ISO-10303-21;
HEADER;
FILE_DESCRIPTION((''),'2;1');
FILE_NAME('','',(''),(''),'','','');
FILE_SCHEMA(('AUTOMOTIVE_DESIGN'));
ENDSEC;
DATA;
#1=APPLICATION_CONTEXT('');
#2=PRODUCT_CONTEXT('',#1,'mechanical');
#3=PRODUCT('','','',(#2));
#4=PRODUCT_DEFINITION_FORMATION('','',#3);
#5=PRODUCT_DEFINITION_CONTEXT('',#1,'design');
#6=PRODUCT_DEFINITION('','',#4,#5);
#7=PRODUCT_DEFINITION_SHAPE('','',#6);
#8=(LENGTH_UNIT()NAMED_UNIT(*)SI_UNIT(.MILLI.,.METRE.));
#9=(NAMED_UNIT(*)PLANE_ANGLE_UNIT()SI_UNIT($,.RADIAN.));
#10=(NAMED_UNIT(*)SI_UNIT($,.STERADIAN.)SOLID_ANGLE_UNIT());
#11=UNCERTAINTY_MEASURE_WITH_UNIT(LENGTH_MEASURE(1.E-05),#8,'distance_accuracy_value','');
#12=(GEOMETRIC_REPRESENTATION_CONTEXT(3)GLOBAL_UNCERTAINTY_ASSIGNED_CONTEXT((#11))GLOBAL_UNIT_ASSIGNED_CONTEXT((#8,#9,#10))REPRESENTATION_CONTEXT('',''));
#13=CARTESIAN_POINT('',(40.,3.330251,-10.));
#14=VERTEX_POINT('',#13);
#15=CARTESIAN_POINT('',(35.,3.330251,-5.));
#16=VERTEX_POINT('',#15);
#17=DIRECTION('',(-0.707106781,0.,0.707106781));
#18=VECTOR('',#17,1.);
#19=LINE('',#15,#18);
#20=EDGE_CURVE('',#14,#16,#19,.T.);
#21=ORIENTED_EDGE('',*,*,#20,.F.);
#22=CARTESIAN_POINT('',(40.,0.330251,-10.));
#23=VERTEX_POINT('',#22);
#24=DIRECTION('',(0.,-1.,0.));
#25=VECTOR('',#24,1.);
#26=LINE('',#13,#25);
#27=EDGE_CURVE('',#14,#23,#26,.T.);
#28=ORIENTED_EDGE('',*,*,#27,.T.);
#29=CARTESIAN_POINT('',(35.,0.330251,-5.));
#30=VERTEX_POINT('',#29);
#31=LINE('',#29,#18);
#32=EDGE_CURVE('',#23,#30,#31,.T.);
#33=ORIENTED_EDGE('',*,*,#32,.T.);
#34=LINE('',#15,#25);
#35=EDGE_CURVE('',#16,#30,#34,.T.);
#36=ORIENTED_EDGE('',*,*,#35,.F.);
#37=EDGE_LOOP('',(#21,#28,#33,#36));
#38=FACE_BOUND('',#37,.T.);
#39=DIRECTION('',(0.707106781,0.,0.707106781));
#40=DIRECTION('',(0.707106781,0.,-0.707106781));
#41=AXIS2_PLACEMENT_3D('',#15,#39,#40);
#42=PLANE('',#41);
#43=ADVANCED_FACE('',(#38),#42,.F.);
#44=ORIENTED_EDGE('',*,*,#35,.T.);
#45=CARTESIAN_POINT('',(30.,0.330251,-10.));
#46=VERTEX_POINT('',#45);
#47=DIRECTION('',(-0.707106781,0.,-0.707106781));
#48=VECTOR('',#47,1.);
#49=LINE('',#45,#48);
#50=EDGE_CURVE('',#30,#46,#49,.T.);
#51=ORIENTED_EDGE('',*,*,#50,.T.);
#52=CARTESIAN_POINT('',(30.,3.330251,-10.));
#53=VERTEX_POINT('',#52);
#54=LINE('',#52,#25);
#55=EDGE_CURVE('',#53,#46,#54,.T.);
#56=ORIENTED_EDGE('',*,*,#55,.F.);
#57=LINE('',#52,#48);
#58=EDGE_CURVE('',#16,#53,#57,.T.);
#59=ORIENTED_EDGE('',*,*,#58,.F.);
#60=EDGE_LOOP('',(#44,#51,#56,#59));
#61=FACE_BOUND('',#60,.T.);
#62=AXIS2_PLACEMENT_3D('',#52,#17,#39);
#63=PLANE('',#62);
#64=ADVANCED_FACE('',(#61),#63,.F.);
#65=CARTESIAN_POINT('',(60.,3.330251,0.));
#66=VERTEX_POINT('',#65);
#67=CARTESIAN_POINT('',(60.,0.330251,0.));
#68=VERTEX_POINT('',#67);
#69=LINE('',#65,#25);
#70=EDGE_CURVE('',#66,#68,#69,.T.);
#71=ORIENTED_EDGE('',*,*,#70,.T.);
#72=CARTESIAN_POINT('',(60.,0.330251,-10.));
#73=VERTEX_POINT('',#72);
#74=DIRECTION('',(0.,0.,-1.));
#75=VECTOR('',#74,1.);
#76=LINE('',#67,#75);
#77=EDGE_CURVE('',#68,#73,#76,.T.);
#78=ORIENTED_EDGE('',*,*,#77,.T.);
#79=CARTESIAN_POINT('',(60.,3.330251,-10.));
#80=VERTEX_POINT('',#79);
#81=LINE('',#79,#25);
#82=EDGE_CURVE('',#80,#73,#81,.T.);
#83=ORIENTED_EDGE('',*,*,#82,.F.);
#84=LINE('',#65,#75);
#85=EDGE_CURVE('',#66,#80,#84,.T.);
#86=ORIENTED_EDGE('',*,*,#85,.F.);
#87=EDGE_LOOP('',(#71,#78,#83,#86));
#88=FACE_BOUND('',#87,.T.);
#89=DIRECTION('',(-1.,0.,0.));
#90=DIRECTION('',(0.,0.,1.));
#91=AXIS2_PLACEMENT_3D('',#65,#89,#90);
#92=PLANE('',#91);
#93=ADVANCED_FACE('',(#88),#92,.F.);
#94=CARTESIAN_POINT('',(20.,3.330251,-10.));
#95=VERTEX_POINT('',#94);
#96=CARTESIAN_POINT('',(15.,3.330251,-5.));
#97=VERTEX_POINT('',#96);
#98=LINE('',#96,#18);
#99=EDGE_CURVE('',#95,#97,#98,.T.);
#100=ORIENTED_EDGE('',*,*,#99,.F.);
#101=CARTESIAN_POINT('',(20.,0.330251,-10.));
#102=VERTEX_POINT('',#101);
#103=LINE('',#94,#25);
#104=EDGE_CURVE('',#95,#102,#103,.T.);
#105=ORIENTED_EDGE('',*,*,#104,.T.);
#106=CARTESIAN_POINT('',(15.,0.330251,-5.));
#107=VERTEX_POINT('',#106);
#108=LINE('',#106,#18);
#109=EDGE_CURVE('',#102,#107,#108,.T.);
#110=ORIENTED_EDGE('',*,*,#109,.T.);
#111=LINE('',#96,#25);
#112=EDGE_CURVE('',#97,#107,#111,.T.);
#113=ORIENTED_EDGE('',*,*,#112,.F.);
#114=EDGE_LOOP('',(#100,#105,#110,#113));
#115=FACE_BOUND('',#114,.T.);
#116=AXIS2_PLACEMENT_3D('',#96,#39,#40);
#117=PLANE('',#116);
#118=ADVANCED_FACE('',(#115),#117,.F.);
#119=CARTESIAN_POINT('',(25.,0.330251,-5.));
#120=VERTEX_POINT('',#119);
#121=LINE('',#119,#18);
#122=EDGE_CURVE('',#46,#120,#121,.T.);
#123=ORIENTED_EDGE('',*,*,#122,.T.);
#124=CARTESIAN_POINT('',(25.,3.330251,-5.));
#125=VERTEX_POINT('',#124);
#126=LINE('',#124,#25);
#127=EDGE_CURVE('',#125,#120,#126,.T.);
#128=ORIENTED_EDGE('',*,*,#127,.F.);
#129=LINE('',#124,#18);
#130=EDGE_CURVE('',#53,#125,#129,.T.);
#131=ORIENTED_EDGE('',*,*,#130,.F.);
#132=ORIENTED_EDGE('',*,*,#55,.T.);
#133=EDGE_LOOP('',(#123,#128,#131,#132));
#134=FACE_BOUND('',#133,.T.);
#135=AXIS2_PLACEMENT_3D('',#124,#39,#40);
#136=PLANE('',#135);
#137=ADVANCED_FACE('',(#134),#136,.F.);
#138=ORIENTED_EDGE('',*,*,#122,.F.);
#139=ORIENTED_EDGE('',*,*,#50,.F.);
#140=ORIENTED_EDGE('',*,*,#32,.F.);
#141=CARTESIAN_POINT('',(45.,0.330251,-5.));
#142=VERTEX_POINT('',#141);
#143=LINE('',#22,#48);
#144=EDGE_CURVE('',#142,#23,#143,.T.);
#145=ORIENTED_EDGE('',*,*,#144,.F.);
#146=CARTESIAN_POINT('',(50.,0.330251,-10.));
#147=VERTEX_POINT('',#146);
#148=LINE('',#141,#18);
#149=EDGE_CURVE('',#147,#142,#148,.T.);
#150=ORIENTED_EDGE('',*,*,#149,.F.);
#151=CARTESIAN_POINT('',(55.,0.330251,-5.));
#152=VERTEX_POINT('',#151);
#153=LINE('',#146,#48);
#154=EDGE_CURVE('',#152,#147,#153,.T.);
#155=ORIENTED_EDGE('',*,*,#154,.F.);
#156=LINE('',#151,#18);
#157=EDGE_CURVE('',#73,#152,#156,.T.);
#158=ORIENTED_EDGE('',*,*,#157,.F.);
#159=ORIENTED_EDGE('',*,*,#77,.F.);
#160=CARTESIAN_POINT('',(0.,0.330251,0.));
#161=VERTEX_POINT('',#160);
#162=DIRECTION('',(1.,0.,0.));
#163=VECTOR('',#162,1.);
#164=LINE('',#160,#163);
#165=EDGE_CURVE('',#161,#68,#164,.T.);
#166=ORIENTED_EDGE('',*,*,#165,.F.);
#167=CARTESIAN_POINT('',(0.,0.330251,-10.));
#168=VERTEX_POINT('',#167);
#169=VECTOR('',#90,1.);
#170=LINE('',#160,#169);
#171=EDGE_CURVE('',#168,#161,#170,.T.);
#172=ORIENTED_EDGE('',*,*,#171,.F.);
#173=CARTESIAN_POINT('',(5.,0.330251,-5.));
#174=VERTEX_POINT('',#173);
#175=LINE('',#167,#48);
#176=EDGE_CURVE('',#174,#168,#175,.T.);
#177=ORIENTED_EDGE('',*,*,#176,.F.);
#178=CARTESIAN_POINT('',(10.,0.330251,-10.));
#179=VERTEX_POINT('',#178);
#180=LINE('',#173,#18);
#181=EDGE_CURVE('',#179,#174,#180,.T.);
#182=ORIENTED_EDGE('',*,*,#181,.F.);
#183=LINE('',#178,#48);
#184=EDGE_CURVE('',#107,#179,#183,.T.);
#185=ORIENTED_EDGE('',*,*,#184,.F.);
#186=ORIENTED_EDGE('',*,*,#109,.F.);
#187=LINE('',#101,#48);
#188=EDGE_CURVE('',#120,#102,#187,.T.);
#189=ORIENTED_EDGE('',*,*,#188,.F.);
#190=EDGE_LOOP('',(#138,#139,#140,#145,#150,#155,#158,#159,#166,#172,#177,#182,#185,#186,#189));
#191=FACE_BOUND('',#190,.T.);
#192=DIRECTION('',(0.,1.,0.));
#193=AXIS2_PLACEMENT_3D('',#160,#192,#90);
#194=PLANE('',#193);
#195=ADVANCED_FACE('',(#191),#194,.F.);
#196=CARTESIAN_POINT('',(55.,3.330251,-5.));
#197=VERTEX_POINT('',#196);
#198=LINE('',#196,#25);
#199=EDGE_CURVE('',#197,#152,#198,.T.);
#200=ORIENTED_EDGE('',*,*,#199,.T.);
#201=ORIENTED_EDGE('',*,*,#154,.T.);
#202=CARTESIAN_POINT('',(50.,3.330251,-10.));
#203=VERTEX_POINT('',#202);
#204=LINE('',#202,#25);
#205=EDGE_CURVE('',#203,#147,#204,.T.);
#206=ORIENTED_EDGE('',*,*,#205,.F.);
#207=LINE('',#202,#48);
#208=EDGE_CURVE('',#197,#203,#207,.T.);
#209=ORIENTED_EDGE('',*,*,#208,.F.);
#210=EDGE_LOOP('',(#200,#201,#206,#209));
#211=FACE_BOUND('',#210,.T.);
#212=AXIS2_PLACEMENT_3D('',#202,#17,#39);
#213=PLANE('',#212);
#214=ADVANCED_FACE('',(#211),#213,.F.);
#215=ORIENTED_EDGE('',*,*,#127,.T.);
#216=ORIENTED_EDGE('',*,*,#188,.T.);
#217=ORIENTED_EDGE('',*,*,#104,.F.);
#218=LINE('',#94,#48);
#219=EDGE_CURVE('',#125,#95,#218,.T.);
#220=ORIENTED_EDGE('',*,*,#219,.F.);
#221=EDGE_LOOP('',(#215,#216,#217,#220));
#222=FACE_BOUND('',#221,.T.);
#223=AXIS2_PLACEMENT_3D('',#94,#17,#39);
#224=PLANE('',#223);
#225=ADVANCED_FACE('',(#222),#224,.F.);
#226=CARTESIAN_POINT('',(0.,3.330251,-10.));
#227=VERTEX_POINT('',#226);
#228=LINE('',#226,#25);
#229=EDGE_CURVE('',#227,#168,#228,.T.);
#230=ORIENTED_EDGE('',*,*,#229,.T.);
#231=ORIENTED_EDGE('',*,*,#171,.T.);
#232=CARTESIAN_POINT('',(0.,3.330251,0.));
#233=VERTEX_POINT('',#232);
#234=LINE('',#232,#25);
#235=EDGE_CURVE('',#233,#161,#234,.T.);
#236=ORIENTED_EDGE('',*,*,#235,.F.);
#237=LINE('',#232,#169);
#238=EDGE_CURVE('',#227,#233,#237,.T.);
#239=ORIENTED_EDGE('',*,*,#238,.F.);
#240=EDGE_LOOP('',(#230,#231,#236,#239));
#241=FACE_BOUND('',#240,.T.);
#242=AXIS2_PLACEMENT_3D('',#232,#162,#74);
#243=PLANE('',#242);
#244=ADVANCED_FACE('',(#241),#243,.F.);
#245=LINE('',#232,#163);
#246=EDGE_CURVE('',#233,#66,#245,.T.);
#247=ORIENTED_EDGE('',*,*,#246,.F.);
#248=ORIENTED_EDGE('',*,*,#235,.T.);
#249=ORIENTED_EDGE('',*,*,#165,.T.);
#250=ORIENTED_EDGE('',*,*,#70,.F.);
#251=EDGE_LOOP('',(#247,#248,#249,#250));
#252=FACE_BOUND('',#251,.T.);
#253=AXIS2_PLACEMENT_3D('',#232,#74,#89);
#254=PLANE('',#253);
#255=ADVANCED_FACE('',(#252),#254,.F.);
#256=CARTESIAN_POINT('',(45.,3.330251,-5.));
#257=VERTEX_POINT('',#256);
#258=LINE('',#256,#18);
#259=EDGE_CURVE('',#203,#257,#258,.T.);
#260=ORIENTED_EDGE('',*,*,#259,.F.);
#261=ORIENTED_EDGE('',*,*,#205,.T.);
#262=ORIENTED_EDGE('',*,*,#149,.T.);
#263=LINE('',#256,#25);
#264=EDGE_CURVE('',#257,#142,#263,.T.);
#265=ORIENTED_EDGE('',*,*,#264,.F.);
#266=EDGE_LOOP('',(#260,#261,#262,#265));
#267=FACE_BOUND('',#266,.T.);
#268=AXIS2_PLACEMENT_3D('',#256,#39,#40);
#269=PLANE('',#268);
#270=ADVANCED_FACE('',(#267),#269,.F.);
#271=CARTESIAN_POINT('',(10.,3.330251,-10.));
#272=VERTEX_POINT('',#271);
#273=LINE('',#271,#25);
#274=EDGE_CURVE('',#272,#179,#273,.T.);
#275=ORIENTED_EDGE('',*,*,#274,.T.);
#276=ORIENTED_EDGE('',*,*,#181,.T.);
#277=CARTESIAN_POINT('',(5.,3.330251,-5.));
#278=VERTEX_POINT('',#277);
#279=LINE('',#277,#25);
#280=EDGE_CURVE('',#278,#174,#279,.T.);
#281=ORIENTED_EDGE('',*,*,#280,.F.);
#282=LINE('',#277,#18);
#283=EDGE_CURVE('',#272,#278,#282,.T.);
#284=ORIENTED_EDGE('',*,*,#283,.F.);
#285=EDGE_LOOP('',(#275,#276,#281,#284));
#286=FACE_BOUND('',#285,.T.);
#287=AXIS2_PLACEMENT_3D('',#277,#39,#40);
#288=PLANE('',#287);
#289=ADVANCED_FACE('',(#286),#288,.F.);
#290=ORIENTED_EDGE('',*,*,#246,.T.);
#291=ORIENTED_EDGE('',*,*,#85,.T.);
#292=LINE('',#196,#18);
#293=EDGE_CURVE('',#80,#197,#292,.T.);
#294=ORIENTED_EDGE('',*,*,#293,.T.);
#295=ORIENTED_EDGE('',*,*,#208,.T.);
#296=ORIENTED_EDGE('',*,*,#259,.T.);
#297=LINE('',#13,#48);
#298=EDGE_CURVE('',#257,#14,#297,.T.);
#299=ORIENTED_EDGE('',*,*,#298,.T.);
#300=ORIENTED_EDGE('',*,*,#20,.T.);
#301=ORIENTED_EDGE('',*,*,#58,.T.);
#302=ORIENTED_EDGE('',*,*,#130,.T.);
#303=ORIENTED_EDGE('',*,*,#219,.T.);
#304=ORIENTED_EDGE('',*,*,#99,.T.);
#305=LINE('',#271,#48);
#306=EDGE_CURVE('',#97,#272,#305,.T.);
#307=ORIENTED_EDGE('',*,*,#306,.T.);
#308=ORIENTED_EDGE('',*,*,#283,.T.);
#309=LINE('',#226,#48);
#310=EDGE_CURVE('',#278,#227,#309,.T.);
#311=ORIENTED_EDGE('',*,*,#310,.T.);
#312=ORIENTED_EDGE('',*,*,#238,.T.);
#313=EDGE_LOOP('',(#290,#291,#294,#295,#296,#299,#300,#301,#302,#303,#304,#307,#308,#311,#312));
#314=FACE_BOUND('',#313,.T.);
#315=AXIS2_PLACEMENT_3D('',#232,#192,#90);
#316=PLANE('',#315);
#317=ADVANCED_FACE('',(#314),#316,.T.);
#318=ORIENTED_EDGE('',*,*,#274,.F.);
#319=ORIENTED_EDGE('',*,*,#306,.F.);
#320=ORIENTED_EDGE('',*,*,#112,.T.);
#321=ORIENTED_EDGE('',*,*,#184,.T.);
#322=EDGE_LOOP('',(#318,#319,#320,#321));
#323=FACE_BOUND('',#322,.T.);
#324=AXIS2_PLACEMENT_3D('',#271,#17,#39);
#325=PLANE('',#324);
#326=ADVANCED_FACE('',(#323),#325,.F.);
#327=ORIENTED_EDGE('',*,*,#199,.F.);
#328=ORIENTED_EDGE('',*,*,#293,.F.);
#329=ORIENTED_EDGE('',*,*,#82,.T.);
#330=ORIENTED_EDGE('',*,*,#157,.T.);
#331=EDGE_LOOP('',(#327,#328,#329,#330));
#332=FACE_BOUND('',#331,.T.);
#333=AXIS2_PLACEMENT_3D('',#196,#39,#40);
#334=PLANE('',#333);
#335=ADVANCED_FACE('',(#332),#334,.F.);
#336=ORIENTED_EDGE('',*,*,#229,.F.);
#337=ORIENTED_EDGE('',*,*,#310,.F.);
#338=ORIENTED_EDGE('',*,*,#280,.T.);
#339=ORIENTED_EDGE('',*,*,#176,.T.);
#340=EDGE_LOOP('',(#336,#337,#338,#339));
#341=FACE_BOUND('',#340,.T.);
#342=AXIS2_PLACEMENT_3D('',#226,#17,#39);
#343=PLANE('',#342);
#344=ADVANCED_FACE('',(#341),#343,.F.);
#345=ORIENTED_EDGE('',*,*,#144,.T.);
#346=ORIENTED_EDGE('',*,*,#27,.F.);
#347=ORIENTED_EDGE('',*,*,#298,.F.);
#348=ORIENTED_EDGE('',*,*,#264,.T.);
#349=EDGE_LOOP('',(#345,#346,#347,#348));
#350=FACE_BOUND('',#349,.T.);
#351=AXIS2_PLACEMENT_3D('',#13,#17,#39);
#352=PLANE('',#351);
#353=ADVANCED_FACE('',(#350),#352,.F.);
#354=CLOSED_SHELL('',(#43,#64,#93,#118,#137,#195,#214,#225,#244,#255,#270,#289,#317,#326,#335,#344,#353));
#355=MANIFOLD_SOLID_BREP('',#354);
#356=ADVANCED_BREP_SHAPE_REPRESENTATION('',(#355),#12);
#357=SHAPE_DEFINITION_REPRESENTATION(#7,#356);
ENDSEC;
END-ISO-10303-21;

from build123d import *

# Parameters (mm, degrees)
BOSS_EXTRUDE1_DEPTH = 3


with BuildPart() as part:
    # Sketch1 → Boss-Extrude1 (new body)
    with BuildSketch(Plane(origin=(0, 0.330251497, 0), x_dir=(1, 0, 0), z_dir=(0, 1, 0))):
        Polygon((0, 0), (0, 10), (5, 5), (10, 10), (15, 5), (20, 10), (25, 5), (30, 10), (35, 5), (40, 10), (45, 5), (50, 10), (55, 5), (60, 10), (60, 0), align=None)
    extrude(amount=BOSS_EXTRUDE1_DEPTH)


solid = part.part
